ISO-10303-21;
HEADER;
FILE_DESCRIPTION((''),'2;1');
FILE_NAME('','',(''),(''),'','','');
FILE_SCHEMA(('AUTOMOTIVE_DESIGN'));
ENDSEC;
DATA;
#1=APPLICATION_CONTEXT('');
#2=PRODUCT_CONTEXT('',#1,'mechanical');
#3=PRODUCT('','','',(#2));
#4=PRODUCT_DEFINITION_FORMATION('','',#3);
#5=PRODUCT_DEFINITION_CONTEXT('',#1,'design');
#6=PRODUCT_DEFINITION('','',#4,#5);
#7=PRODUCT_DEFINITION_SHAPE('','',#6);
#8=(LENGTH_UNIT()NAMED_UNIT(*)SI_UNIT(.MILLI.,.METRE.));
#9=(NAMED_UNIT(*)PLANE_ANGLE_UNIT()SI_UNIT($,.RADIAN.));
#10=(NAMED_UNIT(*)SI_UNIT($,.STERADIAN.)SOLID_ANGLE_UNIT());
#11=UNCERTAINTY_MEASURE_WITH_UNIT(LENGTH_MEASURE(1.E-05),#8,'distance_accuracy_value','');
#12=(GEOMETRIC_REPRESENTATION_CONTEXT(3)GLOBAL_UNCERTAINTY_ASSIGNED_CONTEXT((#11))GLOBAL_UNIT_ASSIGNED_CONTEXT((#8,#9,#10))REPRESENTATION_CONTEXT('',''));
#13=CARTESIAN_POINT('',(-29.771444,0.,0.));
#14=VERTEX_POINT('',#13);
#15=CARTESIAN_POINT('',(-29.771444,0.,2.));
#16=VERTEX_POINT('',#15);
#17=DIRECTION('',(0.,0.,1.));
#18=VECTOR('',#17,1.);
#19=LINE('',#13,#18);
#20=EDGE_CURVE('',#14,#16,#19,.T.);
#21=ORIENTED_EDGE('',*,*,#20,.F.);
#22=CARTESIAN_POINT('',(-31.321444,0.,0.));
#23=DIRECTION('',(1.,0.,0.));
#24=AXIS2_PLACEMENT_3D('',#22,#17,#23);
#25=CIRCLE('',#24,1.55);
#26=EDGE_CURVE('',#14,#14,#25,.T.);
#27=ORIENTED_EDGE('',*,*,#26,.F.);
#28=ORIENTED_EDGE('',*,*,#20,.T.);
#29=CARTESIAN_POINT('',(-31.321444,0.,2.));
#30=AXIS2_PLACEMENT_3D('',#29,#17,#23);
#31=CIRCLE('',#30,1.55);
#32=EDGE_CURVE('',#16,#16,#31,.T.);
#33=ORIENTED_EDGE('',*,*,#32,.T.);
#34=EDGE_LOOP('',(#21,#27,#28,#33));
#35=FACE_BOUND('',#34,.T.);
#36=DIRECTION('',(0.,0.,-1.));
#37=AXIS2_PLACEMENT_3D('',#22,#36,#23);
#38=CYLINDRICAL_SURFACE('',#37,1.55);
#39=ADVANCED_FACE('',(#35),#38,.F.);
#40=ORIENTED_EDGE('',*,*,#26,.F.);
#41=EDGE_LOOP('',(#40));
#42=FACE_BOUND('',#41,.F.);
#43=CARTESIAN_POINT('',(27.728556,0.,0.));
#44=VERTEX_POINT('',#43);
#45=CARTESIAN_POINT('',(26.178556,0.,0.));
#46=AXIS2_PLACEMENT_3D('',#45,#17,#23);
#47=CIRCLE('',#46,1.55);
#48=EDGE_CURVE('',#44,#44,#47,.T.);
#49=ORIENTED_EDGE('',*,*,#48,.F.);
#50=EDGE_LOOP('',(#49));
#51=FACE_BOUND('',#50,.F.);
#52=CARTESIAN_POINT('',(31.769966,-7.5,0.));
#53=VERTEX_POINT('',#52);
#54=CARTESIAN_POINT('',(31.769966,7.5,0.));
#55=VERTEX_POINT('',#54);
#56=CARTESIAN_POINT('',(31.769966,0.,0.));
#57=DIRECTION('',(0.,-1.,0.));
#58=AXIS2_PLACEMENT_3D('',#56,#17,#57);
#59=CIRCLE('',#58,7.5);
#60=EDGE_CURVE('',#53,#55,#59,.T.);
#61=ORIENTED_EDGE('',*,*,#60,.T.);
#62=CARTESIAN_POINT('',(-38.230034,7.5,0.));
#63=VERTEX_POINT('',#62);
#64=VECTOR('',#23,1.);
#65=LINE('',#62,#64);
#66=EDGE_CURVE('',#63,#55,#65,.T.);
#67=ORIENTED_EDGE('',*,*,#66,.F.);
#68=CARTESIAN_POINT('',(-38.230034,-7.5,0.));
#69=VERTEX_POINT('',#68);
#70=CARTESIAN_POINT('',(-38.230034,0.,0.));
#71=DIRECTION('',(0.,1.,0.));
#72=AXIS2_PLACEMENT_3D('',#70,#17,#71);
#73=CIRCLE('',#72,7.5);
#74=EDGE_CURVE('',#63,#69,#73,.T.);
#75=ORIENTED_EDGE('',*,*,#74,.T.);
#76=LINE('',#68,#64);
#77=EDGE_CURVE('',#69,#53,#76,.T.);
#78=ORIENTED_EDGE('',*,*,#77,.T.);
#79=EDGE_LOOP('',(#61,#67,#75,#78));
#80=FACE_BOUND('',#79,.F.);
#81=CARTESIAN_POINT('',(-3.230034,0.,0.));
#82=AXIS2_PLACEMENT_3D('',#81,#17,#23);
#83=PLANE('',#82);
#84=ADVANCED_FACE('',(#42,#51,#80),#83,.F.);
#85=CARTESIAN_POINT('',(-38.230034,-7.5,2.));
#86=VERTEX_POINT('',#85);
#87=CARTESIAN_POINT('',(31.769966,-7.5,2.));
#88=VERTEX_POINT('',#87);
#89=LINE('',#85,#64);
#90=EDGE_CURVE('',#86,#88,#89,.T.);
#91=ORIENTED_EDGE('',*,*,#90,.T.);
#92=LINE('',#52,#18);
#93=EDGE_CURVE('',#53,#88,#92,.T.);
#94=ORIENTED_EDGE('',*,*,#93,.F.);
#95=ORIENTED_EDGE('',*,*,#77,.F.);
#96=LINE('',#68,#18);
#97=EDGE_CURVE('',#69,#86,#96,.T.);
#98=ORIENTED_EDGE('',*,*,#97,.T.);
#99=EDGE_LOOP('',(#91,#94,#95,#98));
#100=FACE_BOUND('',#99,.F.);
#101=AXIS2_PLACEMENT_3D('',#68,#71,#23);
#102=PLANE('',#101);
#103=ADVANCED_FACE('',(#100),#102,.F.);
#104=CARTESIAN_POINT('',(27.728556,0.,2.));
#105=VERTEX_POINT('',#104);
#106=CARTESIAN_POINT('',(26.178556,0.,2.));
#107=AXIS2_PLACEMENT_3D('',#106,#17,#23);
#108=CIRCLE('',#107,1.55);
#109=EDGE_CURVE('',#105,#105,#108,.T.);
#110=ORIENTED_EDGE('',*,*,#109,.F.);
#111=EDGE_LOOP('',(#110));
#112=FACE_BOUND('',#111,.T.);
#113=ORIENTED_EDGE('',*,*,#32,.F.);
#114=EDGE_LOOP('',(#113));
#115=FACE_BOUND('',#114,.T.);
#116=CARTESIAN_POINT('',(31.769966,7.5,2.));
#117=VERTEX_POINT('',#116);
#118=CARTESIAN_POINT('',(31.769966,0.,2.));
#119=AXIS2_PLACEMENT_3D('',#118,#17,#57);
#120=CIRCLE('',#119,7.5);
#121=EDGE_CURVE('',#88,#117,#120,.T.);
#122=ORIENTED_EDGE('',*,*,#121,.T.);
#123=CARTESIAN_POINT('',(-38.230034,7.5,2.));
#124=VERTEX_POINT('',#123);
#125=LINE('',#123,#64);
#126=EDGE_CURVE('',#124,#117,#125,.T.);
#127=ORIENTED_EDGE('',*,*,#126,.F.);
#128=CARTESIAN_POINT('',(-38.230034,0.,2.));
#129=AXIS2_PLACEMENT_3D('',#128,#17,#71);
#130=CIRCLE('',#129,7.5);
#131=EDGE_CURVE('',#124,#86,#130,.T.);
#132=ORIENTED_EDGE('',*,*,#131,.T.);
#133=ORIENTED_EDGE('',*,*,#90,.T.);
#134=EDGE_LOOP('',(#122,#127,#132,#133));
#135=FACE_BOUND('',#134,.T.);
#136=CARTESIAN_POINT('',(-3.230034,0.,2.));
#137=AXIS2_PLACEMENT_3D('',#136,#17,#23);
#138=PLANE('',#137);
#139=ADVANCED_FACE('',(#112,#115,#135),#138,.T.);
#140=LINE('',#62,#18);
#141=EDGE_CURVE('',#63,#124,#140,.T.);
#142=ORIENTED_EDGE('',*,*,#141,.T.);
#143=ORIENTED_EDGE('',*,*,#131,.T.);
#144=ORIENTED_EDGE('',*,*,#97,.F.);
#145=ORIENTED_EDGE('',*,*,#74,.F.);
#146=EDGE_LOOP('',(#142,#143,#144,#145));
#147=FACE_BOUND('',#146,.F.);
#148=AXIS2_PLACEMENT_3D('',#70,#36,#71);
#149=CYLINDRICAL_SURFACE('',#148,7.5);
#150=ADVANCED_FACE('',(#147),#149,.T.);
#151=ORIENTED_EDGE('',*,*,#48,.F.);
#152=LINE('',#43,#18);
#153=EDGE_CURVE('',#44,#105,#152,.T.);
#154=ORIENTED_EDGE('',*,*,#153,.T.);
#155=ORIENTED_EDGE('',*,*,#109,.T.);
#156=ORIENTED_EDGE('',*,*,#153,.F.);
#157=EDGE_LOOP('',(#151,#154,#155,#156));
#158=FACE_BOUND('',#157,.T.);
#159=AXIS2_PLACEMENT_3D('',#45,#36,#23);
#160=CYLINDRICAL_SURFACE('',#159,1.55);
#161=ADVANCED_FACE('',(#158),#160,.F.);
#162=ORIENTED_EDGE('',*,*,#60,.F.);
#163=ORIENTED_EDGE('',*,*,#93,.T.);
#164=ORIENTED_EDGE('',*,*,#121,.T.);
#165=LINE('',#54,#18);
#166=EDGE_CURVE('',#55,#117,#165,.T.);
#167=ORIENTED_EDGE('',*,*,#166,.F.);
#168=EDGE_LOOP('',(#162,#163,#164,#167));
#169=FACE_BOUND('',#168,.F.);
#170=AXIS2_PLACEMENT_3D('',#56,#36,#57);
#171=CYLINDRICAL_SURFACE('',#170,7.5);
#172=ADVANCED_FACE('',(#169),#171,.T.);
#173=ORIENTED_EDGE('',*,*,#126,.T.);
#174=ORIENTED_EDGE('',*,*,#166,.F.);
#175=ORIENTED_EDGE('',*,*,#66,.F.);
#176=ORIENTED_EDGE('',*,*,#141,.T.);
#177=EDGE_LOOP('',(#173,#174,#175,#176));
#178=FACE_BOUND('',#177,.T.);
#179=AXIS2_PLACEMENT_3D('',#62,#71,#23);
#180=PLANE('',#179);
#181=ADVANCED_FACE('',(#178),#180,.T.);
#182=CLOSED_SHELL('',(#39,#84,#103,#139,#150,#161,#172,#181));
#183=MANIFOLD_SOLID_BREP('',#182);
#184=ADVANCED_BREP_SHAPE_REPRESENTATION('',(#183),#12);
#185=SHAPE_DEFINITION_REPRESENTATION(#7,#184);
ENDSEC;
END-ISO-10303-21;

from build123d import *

# Parameters (mm, degrees)
SKETCH_R  = 1.55
PAD_DEPTH = 2


with BuildPart() as part:
    # Sketch → Pad (new body)
    with BuildSketch(Plane.XY):
        with BuildLine():
            ThreePointArc((-38.230034, 7.5), (-45.730034, 0), (-38.230034, -7.5))
            Line((-38.230034, -7.5), (31.769966, -7.5))
            ThreePointArc((31.769966, -7.5), (39.269966, 0), (31.769966, 7.5))
            Line((-38.230034, 7.5), (31.769966, 7.5))
        make_face()
        with Locations((-31.321444, 0)):
            Circle(SKETCH_R, mode=Mode.SUBTRACT)
        with Locations((26.178556, 0)):
            Circle(SKETCH_R, mode=Mode.SUBTRACT)
    extrude(amount=PAD_DEPTH)


solid = part.part
